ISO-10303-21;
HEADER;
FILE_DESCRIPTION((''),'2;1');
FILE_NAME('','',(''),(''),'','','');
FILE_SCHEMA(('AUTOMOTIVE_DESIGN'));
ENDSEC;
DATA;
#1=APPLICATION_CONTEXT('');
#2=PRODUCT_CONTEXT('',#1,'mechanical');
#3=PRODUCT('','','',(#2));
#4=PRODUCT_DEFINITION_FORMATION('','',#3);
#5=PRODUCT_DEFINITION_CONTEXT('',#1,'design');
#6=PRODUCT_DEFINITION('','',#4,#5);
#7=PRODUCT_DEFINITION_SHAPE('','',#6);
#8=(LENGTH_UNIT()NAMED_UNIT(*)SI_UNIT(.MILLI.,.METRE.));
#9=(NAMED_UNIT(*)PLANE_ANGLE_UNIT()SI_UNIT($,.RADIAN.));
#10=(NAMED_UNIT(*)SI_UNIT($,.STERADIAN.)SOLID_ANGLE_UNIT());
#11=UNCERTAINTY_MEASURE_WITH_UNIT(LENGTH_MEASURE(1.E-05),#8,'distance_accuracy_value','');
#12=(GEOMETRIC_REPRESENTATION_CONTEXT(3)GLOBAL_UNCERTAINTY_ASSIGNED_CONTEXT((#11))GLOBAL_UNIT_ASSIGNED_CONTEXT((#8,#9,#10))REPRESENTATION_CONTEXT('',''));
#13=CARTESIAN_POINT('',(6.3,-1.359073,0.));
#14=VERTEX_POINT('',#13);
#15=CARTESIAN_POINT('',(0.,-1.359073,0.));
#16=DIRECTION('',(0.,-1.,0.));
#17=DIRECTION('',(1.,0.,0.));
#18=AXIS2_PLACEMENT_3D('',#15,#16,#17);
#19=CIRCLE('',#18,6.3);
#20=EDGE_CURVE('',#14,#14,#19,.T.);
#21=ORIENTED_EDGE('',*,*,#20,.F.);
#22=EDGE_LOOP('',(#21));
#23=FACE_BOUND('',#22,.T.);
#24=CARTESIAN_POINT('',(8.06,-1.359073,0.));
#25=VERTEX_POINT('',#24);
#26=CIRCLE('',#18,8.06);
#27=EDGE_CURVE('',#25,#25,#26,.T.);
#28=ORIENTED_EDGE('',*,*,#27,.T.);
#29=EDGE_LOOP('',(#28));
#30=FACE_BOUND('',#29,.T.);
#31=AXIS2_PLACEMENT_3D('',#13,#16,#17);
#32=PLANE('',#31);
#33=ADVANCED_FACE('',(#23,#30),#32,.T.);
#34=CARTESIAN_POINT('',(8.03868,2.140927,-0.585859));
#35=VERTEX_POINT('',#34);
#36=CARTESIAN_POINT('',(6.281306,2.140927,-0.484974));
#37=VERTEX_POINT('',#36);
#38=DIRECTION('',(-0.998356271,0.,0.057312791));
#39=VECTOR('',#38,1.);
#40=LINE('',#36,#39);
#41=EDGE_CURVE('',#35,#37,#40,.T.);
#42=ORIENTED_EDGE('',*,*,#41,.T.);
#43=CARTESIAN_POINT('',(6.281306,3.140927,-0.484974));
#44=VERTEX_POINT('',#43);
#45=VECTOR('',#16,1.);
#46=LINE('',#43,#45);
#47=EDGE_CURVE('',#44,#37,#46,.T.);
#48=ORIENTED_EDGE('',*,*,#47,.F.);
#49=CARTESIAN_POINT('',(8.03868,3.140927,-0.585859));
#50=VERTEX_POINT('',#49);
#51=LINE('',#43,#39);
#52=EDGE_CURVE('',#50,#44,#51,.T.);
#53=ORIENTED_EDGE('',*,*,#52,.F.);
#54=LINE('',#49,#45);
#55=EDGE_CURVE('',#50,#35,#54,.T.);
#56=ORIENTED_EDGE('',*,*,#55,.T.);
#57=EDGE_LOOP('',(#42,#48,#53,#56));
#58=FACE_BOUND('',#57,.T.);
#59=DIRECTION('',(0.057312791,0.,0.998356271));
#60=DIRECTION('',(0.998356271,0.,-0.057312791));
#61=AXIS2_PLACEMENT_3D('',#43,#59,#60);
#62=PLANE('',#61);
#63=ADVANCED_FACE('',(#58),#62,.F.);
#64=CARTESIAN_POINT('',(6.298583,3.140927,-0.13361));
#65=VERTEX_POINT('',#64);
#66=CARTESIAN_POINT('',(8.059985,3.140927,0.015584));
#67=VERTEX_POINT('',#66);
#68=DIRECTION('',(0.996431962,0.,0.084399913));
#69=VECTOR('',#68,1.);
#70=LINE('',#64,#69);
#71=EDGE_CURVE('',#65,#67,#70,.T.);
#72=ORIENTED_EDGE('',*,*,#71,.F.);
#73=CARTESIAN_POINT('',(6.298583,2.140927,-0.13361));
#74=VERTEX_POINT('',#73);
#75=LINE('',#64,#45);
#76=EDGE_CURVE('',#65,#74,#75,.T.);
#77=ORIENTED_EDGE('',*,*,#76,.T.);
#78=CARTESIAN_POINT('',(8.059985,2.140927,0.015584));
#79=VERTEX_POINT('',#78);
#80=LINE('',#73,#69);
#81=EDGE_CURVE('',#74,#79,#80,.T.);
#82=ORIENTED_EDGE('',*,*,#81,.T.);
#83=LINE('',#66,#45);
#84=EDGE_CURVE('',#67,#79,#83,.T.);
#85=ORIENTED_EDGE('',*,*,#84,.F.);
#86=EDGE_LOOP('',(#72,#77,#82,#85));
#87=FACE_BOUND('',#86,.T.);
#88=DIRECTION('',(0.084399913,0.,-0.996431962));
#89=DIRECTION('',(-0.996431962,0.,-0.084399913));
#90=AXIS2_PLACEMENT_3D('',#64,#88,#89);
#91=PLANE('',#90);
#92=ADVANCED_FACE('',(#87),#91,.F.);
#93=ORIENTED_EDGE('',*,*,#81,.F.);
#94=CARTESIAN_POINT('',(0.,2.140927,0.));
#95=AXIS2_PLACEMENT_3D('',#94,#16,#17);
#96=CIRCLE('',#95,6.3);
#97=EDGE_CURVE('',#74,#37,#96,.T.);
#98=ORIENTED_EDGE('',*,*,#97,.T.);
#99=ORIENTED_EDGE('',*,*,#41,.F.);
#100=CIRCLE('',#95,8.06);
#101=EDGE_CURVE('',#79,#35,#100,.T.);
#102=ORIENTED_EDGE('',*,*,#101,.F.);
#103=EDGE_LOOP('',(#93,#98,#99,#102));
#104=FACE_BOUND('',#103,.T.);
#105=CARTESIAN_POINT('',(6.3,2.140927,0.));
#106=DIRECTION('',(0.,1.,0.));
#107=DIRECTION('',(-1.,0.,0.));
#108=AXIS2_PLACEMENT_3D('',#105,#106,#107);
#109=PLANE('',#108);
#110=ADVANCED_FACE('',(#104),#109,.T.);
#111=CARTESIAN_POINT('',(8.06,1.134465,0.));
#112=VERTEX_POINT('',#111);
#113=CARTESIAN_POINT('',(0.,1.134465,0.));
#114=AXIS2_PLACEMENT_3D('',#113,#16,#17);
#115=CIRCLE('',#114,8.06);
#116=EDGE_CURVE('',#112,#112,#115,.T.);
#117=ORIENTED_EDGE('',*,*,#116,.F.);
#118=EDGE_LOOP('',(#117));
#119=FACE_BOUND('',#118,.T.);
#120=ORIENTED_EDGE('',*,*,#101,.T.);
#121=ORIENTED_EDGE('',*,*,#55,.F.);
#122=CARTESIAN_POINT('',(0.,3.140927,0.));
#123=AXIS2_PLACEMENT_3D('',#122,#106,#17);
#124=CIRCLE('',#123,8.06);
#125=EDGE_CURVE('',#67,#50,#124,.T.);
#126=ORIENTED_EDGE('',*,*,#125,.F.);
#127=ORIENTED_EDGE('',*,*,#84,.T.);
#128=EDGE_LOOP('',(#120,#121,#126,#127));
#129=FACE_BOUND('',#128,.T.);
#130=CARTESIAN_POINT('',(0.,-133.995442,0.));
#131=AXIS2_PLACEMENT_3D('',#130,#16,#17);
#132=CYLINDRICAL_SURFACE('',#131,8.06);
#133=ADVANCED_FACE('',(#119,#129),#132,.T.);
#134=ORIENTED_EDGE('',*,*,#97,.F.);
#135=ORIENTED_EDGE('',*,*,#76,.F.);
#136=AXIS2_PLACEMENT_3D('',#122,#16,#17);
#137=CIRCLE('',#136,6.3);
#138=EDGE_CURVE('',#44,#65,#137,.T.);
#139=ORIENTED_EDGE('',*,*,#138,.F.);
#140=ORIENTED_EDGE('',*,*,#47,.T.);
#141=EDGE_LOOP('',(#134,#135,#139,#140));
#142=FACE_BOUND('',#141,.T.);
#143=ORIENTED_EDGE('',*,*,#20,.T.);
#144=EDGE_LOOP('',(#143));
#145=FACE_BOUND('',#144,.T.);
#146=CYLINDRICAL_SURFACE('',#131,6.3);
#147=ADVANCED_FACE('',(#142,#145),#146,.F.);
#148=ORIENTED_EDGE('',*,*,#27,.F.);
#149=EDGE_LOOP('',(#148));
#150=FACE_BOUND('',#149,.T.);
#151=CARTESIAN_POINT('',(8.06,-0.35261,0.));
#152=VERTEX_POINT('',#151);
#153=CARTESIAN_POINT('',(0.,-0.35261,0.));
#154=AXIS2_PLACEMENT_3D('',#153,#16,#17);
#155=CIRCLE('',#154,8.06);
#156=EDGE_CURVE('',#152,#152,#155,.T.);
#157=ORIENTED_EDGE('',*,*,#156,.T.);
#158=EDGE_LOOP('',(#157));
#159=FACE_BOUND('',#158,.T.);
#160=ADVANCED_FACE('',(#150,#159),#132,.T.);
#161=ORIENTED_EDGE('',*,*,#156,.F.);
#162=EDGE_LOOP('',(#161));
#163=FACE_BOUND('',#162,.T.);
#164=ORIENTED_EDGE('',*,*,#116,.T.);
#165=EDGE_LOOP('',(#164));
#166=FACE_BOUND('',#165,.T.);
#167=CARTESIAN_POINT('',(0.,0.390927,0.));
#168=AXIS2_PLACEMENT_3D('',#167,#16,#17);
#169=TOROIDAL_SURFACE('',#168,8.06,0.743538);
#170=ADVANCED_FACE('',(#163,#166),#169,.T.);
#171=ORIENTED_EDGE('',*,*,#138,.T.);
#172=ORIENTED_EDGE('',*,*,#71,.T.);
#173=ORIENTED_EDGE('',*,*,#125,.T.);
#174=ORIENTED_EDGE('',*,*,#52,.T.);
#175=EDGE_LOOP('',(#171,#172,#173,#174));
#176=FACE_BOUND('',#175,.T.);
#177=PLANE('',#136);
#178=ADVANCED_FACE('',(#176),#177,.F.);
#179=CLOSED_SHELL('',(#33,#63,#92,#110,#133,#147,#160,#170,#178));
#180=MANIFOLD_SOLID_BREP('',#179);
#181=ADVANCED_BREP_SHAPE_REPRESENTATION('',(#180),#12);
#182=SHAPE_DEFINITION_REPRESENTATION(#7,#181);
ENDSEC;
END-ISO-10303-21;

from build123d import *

# Parameters (mm, degrees)
BOSS_EXTRUDE1_DEPTH = 1


with BuildPart() as part:
    # Sketch1 → Revolve1 (revolve)
    with BuildSketch(Plane.XY):
        with BuildLine():
            Line((8.06, -0.352610192), (8.06, -1.359072581))
            Line((8.06, -1.359072581), (6.3, -1.359072581))
            Line((6.3, -1.359072581), (6.3, 2.140927419))
            Line((6.3, 2.140927419), (8.06, 2.140927419))
            Line((8.06, 2.140927419), (8.06, 1.13446503))
            ThreePointArc((8.06, 1.13446503), (8.803537611, 0.390927419), (8.06, -0.352610192))
        make_face()
    revolve(axis=Axis((0, -133.995441592, 0), (0, 1, 0)))

    # Sketch2 → Boss-Extrude1 (add)
    with BuildSketch(Plane(origin=(0, 2.140927419, 0), x_dir=(1, 0, 0), z_dir=(0, 1, 0))):
        with BuildLine():
            Line((6.298583041, 0.133610171), (8.059984934, -0.015584327))
            ThreePointArc((8.059984934, -0.015584327), (8.054947739, 0.285336502), (8.038679535, 0.585859486))
            Line((8.038679535, 0.585859486), (6.281305641, 0.484973654))
            ThreePointArc((6.281305641, 0.484973654), (6.292397308, 0.309412531), (6.298583041, 0.133610171))
        make_face()
    extrude(amount=BOSS_EXTRUDE1_DEPTH)


solid = part.part
